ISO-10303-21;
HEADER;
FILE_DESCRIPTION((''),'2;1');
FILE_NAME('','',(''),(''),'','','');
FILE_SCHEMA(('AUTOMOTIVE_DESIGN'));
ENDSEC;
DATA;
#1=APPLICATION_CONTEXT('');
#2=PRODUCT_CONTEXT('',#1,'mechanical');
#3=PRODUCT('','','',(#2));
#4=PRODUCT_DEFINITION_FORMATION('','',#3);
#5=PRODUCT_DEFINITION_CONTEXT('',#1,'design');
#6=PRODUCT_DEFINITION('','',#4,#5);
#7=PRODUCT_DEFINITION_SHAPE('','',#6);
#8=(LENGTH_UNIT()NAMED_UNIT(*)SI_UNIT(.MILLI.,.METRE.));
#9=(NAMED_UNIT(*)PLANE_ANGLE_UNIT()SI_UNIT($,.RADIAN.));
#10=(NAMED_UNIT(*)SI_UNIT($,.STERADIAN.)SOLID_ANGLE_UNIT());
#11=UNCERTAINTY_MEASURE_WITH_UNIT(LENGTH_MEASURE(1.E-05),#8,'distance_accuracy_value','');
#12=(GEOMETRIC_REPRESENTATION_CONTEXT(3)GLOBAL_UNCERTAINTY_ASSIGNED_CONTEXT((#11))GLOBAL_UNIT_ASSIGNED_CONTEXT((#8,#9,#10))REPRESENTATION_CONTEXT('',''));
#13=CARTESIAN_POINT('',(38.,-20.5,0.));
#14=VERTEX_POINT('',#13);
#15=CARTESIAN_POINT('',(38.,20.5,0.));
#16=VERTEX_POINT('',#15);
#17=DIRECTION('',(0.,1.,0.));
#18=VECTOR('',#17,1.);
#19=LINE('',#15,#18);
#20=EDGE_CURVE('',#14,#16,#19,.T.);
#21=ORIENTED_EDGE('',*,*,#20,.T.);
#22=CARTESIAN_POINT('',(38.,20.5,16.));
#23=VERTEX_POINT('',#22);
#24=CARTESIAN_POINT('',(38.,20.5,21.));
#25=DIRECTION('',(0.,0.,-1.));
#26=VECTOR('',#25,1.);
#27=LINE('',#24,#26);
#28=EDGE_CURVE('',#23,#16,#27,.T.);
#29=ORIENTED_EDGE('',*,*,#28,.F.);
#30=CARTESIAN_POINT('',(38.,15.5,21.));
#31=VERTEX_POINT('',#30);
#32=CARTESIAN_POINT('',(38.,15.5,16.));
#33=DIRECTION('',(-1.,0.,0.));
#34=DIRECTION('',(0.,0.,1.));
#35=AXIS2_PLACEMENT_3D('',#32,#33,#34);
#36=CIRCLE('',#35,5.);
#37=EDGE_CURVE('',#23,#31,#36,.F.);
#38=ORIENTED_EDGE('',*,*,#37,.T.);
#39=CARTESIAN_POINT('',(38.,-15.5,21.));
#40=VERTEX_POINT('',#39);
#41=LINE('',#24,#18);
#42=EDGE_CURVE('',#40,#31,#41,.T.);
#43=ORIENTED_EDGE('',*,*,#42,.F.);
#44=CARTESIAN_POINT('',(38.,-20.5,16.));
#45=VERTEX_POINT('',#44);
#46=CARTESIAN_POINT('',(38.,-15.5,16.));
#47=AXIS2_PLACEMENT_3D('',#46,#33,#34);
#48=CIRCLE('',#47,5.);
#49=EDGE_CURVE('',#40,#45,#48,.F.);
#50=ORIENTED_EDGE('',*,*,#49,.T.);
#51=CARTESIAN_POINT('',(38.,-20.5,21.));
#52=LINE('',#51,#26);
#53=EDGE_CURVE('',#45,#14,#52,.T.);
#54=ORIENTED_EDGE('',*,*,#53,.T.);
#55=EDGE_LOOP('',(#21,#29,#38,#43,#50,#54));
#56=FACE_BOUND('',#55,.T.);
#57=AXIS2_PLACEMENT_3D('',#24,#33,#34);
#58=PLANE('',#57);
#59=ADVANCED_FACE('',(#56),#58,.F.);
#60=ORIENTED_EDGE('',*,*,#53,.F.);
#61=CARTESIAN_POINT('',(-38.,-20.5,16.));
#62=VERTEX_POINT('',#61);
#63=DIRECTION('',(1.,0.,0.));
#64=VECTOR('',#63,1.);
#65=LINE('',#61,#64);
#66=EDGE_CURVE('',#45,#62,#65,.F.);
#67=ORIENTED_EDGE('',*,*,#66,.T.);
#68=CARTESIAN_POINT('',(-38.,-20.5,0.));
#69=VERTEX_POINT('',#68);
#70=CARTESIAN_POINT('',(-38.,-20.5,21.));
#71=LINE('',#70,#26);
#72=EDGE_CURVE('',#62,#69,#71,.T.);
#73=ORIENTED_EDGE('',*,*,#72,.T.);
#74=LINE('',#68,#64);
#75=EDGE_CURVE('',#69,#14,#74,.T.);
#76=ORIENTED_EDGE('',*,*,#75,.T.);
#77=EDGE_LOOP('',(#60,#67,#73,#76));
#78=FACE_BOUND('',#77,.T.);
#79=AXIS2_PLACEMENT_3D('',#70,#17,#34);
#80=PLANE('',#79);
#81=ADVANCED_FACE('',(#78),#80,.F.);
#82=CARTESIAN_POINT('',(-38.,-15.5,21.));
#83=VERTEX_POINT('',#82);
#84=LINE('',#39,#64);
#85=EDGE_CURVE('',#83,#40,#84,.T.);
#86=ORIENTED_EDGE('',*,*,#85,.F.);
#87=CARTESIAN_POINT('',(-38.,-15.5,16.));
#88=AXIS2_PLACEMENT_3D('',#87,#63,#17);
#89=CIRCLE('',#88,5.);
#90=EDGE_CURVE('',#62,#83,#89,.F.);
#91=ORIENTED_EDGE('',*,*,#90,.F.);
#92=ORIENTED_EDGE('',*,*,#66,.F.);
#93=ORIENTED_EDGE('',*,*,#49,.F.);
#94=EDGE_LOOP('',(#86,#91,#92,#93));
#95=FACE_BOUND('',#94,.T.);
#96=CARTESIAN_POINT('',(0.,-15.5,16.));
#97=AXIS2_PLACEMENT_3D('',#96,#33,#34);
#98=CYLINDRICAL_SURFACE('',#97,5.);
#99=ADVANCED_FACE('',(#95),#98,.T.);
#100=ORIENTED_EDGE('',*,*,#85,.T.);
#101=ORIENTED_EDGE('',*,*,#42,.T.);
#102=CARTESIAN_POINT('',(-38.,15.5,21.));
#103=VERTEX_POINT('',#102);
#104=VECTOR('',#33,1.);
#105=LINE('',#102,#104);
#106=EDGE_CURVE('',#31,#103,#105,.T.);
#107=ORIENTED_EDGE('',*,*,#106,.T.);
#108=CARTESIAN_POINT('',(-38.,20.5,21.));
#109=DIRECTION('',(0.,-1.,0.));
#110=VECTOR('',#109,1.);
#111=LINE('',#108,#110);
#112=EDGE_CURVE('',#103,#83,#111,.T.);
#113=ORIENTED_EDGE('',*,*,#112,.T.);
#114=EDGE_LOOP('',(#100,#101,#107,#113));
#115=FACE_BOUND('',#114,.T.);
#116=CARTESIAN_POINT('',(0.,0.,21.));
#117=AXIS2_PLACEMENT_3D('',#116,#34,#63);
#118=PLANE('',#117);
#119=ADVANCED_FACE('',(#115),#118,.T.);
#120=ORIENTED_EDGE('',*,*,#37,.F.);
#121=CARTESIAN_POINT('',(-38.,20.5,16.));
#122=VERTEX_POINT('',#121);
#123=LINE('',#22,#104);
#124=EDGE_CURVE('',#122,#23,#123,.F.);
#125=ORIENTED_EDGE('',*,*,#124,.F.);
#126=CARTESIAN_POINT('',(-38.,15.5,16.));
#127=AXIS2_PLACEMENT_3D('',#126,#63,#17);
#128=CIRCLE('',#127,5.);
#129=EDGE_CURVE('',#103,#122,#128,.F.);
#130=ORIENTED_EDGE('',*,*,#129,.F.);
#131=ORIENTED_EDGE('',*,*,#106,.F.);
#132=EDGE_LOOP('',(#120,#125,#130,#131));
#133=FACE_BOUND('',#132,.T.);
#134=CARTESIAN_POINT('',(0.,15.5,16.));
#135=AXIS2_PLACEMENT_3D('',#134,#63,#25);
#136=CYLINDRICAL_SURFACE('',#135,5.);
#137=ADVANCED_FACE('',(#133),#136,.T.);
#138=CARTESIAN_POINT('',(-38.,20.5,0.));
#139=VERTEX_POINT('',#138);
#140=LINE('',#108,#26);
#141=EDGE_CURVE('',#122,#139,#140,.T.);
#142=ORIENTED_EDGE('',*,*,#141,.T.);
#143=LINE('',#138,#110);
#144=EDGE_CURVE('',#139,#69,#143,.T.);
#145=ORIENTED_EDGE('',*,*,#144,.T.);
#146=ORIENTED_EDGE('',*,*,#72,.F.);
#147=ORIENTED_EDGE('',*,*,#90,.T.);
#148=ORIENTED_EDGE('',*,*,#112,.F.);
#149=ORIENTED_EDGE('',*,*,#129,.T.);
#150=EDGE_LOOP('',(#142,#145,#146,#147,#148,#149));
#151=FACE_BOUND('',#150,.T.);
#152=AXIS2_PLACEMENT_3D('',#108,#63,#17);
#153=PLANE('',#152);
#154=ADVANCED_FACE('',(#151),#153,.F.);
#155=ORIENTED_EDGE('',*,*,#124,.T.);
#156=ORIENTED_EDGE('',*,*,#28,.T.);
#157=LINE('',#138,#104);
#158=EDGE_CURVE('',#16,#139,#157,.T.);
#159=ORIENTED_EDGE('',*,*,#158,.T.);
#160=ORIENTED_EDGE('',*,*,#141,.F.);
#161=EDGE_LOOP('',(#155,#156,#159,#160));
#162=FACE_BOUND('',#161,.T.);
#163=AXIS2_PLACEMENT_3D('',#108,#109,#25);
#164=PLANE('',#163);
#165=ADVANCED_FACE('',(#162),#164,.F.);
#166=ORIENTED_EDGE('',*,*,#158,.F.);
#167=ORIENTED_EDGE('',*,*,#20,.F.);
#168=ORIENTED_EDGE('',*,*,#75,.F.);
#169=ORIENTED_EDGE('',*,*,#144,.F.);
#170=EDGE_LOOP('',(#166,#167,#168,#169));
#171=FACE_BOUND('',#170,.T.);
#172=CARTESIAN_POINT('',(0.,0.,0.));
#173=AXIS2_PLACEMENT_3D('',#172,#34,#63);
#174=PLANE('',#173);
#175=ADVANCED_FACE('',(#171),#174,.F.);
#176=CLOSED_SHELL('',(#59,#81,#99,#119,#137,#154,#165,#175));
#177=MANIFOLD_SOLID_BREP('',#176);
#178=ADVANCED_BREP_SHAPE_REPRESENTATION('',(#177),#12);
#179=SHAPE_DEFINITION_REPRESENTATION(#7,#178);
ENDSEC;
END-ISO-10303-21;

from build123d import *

# Parameters (mm, degrees)
SKETCH_1_W      = 76
SKETCH_1_H      = 41
EXTRUDE_1_DEPTH = 21
FILLET_1_R      = 5


with BuildPart() as part:
    # 草图1 → 凸台-拉伸1 (new body)
    with BuildSketch(Plane.XY):
        Rectangle(SKETCH_1_W, SKETCH_1_H)
    extrude(amount=EXTRUDE_1_DEPTH)

    # 圆角1
    fillet_1_edges = [part.edges().sort_by_distance(p)[0] for p in [
        (0, -20.5, 21),
        (0, 20.5, 21),
    ]]
    fillet(fillet_1_edges, radius=FILLET_1_R)


solid = part.part
